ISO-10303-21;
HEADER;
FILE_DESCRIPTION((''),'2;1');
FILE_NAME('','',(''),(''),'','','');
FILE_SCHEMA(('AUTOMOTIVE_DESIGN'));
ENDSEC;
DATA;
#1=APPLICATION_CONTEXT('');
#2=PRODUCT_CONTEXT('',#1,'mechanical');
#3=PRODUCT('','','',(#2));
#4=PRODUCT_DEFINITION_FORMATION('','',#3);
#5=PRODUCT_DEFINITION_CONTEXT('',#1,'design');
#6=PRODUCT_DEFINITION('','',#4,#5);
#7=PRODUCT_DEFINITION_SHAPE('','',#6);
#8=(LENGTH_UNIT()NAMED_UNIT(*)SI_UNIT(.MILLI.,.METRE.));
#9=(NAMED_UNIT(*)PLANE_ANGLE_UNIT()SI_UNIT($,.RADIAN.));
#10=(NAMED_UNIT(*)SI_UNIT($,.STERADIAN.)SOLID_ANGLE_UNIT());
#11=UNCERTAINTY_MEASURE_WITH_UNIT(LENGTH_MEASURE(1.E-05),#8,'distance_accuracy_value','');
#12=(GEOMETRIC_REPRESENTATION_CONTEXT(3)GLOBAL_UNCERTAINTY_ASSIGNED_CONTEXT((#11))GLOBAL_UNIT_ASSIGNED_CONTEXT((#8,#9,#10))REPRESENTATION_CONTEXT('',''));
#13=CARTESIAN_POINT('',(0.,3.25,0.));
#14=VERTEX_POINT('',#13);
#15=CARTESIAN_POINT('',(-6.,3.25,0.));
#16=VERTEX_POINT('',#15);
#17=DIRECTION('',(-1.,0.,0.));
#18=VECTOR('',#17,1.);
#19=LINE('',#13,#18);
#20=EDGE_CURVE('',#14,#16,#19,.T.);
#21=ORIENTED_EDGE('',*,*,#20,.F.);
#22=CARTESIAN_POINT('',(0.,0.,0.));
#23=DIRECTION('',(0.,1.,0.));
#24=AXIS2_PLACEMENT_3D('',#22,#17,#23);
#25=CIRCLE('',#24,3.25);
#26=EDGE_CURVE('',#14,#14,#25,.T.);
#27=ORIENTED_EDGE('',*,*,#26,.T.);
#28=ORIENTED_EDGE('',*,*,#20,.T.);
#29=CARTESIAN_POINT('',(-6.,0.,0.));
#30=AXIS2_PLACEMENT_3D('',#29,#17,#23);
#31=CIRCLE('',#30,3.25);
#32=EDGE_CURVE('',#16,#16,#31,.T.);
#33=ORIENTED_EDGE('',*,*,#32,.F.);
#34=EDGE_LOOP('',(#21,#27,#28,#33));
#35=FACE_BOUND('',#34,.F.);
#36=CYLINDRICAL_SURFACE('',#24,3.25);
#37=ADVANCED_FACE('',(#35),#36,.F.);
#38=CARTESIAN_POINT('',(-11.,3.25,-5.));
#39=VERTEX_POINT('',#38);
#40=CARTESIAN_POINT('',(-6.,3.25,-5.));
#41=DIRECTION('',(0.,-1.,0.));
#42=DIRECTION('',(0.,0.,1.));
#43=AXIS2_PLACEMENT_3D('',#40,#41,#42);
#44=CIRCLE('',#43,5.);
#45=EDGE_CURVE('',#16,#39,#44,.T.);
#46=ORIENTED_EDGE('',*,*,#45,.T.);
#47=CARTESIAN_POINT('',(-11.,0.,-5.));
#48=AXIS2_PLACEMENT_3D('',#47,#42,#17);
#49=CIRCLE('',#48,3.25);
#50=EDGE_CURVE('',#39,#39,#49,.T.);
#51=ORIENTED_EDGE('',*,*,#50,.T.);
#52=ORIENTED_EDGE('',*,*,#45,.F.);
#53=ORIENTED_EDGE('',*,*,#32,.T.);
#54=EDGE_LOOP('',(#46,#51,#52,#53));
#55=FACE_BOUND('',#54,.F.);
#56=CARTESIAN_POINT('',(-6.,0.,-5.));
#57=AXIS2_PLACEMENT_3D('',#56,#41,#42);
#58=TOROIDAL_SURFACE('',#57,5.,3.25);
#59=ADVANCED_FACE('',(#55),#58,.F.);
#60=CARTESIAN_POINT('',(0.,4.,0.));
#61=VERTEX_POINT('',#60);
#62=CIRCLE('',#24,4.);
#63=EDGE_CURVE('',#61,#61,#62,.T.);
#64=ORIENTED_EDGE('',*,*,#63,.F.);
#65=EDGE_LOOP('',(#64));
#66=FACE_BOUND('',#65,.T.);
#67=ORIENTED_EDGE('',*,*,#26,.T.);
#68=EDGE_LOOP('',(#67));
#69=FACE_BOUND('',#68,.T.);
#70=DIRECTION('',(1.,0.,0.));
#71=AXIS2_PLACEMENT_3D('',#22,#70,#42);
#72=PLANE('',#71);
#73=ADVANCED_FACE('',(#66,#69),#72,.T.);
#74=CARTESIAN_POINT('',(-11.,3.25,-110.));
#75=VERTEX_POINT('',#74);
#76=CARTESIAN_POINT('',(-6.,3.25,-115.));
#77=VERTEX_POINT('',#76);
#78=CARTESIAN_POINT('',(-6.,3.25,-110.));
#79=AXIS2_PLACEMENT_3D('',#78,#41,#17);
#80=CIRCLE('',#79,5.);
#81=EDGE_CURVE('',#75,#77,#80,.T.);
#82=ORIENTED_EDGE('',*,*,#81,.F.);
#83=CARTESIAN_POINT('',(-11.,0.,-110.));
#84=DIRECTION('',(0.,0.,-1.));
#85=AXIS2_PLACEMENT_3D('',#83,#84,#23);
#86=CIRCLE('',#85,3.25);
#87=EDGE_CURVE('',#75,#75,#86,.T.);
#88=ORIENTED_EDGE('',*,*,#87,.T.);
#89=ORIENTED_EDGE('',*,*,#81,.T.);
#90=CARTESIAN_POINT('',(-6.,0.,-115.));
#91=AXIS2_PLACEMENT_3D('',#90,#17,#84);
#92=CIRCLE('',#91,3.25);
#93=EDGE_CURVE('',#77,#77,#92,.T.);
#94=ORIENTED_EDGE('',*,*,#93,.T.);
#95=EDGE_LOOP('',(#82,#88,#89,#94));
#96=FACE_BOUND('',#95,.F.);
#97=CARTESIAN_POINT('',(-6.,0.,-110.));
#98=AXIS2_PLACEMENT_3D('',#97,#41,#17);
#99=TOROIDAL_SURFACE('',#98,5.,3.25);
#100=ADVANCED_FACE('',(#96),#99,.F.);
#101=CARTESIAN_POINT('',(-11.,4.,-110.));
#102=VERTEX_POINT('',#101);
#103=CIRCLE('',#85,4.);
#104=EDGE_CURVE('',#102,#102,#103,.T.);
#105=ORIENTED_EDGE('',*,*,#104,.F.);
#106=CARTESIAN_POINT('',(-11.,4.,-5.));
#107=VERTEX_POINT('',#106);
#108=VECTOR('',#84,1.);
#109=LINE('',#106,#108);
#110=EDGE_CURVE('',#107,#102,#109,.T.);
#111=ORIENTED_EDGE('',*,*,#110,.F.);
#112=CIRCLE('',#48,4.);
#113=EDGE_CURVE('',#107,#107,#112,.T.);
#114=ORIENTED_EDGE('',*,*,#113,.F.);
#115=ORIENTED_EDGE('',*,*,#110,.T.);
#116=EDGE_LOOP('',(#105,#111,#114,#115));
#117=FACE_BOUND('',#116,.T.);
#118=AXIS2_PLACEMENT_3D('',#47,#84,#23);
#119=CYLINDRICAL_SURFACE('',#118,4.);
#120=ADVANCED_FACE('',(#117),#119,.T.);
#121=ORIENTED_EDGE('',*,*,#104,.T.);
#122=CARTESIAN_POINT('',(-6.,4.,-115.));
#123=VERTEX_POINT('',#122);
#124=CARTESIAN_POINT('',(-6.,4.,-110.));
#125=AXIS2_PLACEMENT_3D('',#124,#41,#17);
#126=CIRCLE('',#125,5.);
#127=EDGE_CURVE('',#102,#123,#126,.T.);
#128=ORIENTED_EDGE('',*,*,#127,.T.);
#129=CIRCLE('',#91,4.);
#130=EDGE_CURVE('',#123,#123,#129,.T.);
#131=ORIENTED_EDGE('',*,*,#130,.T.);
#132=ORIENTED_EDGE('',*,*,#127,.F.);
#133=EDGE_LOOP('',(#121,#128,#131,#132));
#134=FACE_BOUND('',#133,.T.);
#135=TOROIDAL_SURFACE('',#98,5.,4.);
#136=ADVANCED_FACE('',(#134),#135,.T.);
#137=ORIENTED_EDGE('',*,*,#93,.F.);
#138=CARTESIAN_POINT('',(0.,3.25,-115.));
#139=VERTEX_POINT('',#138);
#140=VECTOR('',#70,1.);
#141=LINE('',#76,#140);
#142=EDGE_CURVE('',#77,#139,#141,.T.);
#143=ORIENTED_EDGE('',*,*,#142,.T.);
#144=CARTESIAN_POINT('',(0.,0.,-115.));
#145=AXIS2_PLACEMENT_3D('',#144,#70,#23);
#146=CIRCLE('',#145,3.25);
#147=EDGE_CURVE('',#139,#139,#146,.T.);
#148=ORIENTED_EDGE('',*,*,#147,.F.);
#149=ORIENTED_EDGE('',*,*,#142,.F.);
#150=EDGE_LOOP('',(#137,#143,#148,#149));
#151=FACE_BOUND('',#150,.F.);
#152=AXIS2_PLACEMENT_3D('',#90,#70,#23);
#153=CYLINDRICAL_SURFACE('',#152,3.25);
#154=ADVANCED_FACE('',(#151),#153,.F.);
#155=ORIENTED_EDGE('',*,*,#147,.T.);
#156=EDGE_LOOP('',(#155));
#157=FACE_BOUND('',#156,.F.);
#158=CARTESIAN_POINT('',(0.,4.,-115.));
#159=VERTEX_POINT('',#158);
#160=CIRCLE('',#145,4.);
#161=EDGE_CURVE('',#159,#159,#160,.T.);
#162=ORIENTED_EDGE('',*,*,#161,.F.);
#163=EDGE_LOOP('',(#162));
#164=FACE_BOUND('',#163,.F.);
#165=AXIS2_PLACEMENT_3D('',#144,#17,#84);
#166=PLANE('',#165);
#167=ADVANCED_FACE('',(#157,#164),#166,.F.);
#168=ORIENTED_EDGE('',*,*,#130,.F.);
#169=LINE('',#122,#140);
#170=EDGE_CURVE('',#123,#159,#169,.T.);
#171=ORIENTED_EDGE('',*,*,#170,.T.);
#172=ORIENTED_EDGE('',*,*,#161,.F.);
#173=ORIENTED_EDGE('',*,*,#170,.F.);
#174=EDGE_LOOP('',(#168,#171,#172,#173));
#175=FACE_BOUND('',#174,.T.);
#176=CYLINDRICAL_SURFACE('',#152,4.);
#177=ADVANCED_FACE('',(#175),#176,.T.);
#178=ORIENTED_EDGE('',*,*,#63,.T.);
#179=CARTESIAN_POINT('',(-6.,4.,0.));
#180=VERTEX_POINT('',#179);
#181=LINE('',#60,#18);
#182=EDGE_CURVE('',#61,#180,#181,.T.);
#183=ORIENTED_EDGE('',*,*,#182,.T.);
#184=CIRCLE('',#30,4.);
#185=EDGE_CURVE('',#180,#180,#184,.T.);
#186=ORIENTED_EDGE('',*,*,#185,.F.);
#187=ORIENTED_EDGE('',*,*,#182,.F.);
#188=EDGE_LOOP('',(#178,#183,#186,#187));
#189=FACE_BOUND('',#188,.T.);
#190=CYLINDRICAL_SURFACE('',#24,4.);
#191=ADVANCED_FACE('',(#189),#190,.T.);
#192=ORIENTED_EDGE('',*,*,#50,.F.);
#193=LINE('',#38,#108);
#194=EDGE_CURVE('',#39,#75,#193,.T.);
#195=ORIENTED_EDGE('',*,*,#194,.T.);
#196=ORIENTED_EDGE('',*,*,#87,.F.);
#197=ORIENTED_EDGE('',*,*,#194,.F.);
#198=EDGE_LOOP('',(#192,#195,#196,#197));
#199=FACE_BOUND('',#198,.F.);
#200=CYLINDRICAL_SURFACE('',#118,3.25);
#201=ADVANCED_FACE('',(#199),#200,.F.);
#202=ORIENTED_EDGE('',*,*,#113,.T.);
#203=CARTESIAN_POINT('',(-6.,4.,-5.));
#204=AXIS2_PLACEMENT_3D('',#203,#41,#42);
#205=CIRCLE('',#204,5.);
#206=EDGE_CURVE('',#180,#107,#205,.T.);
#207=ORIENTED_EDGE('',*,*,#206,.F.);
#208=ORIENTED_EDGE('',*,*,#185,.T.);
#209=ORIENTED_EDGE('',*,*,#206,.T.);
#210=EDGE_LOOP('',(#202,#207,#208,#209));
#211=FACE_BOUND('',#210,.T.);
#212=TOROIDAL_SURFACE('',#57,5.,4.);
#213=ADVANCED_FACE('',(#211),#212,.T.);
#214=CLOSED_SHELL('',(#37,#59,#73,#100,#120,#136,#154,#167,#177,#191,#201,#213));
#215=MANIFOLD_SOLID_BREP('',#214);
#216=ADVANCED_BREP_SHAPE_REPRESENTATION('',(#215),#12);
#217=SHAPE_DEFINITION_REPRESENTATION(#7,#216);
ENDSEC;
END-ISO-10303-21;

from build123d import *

# Parameters (mm, degrees)
F0_R   = 4
F0_R_2 = 3.25


with BuildPart() as f2:
    # F2: sweep along a path in F1
    with BuildLine(Plane.XZ) as f2_path:
        Line((0, 0), (-6, 0))
        ThreePointArc((-6, 0), (-9.5355339059, -1.4644660941), (-11, -5))
        Line((-11, -5), (-11, -110))
        ThreePointArc((-11, -110), (-9.5355339059, -113.5355339059), (-6, -115))
        Line((-6, -115), (0, -115))
    # F0 (on Right) → F2 (sweep)
    with BuildSketch(Plane.YZ):
        Circle(F0_R)
        Circle(F0_R_2, mode=Mode.SUBTRACT)
    sweep(path=f2_path.line)


solid = f2.part
